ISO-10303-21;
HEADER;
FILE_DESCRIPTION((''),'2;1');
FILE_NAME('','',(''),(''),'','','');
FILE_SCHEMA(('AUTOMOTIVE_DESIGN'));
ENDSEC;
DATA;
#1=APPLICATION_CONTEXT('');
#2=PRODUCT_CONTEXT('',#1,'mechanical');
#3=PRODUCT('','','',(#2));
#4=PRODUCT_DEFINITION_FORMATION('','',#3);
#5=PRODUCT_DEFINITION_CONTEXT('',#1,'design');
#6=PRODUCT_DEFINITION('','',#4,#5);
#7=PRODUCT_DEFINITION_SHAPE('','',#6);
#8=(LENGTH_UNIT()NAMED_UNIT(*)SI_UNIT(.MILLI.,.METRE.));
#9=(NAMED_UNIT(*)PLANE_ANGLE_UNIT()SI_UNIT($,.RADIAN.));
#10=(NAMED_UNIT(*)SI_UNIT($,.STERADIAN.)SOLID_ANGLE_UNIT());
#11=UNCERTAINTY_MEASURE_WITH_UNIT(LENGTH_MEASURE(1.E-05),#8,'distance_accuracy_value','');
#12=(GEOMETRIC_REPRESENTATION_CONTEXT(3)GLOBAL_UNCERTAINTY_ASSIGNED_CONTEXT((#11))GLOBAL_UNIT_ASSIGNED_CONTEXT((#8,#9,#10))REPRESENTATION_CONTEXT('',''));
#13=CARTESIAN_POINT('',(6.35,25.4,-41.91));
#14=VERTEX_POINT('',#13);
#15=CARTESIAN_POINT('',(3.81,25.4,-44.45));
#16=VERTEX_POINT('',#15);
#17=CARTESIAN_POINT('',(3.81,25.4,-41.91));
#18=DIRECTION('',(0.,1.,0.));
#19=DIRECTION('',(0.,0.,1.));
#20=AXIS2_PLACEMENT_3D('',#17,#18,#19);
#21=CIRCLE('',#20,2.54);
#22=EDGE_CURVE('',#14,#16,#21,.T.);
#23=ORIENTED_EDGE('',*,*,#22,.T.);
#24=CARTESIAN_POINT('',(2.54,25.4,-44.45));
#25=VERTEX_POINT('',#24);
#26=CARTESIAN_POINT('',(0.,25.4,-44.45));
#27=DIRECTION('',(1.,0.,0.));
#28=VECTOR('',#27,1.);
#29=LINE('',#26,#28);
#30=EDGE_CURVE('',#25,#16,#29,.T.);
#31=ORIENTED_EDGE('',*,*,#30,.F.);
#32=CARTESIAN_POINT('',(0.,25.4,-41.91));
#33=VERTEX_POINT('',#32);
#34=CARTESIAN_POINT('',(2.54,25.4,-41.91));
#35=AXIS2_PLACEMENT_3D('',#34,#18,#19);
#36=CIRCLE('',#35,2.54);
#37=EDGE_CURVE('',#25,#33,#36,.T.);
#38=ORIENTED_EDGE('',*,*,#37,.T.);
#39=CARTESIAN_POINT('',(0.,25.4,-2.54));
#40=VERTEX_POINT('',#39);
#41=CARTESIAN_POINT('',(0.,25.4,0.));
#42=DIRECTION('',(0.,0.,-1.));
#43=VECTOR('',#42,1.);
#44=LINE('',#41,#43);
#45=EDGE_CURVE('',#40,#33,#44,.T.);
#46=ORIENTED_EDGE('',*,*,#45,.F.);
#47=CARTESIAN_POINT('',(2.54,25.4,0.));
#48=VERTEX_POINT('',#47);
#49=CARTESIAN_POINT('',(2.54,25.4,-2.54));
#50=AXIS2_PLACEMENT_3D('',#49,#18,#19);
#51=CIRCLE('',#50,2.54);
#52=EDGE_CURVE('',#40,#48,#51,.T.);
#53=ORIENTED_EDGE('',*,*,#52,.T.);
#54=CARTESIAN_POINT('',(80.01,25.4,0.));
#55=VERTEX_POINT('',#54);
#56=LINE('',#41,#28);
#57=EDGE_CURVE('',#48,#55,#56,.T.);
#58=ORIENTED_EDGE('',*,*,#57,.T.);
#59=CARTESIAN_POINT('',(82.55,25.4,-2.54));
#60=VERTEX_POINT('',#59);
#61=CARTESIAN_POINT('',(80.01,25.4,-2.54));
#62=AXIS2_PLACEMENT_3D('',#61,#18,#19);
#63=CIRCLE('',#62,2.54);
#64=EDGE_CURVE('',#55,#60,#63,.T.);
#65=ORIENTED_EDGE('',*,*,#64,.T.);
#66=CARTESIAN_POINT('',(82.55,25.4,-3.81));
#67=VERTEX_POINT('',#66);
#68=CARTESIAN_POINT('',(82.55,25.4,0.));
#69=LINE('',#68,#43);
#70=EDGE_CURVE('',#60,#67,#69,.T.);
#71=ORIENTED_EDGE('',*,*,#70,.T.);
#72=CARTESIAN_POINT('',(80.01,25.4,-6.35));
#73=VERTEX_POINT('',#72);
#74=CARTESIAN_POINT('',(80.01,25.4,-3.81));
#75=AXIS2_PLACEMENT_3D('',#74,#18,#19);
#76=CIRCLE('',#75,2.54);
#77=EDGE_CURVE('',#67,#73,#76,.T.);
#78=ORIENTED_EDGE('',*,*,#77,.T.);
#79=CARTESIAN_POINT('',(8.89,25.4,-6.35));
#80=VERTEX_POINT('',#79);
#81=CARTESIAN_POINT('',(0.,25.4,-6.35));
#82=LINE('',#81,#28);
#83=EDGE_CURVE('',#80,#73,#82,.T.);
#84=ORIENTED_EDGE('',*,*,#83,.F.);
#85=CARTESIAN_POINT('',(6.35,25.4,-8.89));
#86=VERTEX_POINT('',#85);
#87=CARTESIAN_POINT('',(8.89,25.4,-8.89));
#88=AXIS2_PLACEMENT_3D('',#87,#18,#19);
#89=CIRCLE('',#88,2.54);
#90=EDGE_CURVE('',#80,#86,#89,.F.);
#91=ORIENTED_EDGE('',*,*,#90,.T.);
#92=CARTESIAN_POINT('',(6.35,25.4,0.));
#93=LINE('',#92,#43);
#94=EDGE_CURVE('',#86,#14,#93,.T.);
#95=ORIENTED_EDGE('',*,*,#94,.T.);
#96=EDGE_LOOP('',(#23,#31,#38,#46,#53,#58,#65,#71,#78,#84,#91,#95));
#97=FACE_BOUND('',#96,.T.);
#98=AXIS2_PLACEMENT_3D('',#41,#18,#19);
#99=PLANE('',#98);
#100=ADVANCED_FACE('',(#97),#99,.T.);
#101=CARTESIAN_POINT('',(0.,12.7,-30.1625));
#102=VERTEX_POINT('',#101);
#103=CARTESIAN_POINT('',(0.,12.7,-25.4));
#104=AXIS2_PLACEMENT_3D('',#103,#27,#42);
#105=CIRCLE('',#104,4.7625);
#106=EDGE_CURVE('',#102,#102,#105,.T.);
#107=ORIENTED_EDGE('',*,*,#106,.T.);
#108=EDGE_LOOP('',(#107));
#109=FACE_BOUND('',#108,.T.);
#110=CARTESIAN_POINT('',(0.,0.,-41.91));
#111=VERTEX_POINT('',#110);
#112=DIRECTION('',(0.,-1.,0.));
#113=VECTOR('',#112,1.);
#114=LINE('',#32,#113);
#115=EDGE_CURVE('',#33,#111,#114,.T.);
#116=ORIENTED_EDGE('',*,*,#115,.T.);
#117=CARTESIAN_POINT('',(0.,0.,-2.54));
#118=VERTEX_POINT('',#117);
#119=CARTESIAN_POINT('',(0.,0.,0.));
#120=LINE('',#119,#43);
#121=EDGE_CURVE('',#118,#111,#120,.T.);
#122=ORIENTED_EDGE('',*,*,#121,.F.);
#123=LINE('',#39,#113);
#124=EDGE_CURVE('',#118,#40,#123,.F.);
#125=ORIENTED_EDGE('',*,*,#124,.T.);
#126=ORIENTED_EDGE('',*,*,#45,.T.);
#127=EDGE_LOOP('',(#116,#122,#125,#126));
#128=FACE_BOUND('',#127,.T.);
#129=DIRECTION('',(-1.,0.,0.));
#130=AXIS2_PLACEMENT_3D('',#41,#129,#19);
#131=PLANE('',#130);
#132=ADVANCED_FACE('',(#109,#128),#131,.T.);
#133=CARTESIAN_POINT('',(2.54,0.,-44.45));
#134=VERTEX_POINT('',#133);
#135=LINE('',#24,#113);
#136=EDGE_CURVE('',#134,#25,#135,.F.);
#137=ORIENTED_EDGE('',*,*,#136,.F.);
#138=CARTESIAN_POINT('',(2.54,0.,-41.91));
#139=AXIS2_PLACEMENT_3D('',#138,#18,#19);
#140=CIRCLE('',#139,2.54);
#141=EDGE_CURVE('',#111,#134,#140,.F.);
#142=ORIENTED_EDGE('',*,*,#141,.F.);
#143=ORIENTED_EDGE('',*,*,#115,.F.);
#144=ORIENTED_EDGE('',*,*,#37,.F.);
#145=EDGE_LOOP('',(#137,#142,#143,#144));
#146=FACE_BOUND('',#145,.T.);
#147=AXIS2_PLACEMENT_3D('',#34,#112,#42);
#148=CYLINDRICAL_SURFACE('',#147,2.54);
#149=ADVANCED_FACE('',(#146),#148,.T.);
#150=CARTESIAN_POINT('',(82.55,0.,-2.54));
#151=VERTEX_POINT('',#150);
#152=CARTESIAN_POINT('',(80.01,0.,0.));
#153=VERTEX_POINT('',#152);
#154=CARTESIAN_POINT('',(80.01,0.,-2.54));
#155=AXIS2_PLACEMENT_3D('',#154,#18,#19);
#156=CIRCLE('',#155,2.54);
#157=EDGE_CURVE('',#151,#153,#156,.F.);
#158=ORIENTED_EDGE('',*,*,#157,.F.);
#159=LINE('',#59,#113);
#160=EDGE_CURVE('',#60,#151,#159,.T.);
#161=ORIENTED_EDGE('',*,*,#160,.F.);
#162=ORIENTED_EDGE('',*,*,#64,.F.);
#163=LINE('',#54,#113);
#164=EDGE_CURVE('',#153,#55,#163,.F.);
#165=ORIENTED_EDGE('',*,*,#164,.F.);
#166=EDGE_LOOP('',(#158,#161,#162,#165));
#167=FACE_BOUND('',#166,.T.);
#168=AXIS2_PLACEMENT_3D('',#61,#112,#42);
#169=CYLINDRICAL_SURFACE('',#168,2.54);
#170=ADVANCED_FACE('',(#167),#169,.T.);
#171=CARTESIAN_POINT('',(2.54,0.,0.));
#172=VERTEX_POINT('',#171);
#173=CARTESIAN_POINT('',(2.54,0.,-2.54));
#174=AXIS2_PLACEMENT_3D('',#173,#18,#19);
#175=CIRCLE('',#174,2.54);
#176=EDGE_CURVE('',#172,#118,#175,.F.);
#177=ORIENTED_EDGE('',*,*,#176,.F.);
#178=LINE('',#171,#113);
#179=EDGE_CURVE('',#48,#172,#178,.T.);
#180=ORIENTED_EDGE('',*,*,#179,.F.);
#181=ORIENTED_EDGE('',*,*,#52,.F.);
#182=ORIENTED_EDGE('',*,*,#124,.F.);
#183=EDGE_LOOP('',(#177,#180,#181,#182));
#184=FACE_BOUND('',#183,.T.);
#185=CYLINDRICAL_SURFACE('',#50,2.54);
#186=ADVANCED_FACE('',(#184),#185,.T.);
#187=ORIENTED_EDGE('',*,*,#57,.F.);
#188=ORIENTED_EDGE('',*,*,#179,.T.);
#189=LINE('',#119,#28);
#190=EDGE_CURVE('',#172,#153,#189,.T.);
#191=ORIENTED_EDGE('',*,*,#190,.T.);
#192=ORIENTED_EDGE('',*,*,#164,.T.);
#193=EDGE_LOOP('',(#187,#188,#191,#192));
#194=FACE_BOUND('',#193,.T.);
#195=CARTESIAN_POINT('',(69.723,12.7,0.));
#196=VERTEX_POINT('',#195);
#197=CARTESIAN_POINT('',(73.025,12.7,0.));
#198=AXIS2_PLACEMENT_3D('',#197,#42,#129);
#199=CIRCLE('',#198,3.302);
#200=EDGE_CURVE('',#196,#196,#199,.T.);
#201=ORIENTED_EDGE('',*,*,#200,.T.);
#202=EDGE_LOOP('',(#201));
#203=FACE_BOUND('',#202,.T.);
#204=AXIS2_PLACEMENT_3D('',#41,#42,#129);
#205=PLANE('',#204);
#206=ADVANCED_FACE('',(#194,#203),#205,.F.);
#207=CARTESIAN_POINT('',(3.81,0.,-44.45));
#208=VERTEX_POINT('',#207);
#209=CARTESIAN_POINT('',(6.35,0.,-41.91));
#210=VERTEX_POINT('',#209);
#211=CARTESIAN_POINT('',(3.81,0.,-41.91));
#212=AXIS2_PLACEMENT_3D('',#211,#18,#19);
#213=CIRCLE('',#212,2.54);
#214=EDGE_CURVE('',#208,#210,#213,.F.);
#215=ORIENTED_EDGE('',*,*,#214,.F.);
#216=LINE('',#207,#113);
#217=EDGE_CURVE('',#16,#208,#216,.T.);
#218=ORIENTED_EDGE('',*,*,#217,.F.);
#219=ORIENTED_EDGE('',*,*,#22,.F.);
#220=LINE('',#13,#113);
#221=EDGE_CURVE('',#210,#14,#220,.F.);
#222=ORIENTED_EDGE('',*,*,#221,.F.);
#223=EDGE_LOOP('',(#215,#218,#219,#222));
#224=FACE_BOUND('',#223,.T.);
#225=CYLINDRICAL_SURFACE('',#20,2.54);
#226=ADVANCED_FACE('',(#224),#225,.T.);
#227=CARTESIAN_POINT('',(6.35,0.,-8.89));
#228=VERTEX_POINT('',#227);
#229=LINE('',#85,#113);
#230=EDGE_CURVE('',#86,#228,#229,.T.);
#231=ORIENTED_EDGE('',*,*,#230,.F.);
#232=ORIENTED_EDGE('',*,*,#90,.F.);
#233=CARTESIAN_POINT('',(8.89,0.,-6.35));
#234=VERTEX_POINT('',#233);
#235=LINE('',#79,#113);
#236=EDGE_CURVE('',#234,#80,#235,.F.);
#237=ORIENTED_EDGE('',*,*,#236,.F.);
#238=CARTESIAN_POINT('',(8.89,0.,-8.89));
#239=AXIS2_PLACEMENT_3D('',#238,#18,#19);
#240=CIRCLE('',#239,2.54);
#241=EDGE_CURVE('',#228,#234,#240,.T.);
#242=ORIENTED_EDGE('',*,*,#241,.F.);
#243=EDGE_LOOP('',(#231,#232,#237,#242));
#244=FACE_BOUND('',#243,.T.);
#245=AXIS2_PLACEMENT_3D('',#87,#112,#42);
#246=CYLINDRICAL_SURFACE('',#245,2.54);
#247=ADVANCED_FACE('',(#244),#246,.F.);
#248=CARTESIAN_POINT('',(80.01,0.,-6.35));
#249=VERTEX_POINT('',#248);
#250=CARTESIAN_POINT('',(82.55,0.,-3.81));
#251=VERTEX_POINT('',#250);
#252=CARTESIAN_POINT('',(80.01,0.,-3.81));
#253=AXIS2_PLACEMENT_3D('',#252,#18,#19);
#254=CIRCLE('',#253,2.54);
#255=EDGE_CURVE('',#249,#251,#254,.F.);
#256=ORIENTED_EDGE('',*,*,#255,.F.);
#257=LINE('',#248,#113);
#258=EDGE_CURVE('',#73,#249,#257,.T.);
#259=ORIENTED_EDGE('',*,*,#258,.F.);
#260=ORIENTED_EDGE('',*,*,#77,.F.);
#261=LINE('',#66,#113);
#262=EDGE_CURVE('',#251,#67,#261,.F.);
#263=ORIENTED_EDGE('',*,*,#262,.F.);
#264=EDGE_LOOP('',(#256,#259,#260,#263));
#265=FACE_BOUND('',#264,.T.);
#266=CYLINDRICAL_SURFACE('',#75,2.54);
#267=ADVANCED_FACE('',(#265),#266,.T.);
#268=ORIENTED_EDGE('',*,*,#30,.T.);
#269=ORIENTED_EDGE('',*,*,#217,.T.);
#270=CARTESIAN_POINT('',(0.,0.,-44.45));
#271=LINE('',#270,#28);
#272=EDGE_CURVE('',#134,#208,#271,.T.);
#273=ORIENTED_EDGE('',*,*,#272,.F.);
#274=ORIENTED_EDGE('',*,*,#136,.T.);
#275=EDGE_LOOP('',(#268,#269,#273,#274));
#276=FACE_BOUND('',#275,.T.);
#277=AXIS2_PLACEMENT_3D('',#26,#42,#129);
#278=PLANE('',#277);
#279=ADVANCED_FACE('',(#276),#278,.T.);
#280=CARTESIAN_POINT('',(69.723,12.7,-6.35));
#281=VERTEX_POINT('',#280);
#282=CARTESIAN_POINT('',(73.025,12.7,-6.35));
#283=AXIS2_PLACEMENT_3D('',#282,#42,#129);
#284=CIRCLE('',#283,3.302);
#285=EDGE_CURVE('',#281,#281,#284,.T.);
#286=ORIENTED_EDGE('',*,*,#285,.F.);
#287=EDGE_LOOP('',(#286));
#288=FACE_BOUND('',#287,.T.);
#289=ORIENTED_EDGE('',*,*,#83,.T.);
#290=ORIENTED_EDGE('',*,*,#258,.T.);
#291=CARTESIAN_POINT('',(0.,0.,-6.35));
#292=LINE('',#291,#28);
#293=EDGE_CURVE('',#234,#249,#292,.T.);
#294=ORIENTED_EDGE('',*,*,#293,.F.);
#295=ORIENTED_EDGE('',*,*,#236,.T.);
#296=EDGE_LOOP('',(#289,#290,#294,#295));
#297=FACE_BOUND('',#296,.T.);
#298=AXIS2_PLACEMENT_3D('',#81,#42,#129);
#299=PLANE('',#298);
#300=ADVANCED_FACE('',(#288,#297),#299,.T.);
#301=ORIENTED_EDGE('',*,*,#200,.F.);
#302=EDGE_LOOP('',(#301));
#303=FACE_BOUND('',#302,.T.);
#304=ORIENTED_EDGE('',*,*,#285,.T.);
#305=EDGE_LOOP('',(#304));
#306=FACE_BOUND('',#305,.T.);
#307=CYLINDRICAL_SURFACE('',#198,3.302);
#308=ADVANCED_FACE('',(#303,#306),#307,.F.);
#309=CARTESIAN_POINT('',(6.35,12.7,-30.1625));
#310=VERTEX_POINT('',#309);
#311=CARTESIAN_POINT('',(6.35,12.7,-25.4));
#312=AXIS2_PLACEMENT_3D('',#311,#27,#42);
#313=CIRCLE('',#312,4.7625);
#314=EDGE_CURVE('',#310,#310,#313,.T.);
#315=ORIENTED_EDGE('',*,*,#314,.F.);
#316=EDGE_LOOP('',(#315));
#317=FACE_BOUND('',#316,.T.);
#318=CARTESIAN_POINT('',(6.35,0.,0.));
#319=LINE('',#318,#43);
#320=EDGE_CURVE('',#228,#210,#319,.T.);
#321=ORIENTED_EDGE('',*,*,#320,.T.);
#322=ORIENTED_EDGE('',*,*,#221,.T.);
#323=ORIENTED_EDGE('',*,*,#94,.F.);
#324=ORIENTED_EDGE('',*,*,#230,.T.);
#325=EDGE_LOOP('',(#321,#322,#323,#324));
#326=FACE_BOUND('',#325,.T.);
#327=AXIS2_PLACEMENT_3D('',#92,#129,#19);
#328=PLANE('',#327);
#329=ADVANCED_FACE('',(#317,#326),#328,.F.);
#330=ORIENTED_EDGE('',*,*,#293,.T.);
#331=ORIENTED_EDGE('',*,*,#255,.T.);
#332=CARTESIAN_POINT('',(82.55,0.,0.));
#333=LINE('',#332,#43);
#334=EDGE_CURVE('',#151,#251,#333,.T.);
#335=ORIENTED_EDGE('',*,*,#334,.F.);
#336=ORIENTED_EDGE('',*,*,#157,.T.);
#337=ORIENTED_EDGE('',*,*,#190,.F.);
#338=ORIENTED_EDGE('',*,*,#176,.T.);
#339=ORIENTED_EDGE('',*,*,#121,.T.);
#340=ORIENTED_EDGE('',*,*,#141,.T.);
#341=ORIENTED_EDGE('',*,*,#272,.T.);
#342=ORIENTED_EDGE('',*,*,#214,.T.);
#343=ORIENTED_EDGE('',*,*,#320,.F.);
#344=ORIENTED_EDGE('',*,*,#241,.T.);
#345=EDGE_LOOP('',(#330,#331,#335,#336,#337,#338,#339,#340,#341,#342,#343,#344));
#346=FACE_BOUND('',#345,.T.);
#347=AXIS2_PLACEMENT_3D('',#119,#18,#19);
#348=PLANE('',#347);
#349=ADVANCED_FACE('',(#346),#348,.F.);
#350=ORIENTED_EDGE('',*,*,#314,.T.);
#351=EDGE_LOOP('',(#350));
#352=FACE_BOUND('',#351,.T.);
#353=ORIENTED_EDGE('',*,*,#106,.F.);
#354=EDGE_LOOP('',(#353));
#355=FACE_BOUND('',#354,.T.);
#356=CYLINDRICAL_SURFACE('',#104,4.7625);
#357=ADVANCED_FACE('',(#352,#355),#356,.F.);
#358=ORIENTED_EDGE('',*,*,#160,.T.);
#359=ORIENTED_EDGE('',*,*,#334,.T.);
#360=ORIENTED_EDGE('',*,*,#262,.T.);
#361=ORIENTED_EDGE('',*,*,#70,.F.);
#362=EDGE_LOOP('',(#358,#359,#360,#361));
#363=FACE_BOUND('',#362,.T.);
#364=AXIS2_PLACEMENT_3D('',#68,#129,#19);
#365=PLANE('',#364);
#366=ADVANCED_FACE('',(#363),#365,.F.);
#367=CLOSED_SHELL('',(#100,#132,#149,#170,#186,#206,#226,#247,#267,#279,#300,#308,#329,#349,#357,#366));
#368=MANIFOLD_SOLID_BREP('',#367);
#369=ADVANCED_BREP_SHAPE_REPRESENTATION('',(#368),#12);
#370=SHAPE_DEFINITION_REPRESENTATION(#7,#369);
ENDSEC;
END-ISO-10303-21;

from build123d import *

# Parameters (mm, degrees)
SKETCH1_W           = 6.35
SKETCH1_H           = 38.1
SKETCH1_H_2         = 6.35
SKETCH1_W_2         = 76.2
BOSS_EXTRUDE1_DEPTH = 25.4
SKETCH2_R           = 3.302
CUT_EXTRUDE1_DEPTH  = 7.35
SKETCH3_R           = 4.7625
CUT_EXTRUDE2_DEPTH  = 7.35
FILLET1_R           = 2.54


with BuildPart() as part:
    # Sketch1 → Boss-Extrude1 (new body)
    with BuildSketch(Plane(origin=(0, 0, 0), x_dir=(1, 0, 0), z_dir=(0, 1, 0))):
        with Locations((3.175, 25.4)):
            Rectangle(SKETCH1_W, SKETCH1_H)
        with Locations((3.175, 3.175)):
            Rectangle(SKETCH1_W, SKETCH1_H_2)
        with Locations((44.45, 3.175)):
            Rectangle(SKETCH1_W_2, SKETCH1_H_2)
    extrude(amount=BOSS_EXTRUDE1_DEPTH)

    # Sketch2 → Cut-Extrude1 (cut, through all)
    with BuildSketch(Plane(origin=(0, 0, -6.35), x_dir=(-1, 0, 0), z_dir=(0, 0, -1))):
        with Locations((-73.025, 12.7)):
            Circle(SKETCH2_R)
    extrude(amount=-CUT_EXTRUDE1_DEPTH, mode=Mode.SUBTRACT)

    # Sketch3 → Cut-Extrude2 (cut, through all)
    with BuildSketch(Plane(origin=(6.35, 0, 0), x_dir=(0, 0, -1), z_dir=(1, 0, 0))):
        with Locations((25.4, 12.7)):
            Circle(SKETCH3_R)
    extrude(amount=-CUT_EXTRUDE2_DEPTH, mode=Mode.SUBTRACT)

    # Fillet1
    fillet1_edges = [part.edges().sort_by_distance(p)[0] for p in [
        (0, 12.7, -44.45),
        (6.35, 12.7, -44.45),
        (6.35, 12.7, -6.35),
        (82.55, 12.7, -6.35),
        (82.55, 12.7, 0),
        (0, 12.7, 0),
    ]]
    fillet(fillet1_edges, radius=FILLET1_R)


solid = part.part
